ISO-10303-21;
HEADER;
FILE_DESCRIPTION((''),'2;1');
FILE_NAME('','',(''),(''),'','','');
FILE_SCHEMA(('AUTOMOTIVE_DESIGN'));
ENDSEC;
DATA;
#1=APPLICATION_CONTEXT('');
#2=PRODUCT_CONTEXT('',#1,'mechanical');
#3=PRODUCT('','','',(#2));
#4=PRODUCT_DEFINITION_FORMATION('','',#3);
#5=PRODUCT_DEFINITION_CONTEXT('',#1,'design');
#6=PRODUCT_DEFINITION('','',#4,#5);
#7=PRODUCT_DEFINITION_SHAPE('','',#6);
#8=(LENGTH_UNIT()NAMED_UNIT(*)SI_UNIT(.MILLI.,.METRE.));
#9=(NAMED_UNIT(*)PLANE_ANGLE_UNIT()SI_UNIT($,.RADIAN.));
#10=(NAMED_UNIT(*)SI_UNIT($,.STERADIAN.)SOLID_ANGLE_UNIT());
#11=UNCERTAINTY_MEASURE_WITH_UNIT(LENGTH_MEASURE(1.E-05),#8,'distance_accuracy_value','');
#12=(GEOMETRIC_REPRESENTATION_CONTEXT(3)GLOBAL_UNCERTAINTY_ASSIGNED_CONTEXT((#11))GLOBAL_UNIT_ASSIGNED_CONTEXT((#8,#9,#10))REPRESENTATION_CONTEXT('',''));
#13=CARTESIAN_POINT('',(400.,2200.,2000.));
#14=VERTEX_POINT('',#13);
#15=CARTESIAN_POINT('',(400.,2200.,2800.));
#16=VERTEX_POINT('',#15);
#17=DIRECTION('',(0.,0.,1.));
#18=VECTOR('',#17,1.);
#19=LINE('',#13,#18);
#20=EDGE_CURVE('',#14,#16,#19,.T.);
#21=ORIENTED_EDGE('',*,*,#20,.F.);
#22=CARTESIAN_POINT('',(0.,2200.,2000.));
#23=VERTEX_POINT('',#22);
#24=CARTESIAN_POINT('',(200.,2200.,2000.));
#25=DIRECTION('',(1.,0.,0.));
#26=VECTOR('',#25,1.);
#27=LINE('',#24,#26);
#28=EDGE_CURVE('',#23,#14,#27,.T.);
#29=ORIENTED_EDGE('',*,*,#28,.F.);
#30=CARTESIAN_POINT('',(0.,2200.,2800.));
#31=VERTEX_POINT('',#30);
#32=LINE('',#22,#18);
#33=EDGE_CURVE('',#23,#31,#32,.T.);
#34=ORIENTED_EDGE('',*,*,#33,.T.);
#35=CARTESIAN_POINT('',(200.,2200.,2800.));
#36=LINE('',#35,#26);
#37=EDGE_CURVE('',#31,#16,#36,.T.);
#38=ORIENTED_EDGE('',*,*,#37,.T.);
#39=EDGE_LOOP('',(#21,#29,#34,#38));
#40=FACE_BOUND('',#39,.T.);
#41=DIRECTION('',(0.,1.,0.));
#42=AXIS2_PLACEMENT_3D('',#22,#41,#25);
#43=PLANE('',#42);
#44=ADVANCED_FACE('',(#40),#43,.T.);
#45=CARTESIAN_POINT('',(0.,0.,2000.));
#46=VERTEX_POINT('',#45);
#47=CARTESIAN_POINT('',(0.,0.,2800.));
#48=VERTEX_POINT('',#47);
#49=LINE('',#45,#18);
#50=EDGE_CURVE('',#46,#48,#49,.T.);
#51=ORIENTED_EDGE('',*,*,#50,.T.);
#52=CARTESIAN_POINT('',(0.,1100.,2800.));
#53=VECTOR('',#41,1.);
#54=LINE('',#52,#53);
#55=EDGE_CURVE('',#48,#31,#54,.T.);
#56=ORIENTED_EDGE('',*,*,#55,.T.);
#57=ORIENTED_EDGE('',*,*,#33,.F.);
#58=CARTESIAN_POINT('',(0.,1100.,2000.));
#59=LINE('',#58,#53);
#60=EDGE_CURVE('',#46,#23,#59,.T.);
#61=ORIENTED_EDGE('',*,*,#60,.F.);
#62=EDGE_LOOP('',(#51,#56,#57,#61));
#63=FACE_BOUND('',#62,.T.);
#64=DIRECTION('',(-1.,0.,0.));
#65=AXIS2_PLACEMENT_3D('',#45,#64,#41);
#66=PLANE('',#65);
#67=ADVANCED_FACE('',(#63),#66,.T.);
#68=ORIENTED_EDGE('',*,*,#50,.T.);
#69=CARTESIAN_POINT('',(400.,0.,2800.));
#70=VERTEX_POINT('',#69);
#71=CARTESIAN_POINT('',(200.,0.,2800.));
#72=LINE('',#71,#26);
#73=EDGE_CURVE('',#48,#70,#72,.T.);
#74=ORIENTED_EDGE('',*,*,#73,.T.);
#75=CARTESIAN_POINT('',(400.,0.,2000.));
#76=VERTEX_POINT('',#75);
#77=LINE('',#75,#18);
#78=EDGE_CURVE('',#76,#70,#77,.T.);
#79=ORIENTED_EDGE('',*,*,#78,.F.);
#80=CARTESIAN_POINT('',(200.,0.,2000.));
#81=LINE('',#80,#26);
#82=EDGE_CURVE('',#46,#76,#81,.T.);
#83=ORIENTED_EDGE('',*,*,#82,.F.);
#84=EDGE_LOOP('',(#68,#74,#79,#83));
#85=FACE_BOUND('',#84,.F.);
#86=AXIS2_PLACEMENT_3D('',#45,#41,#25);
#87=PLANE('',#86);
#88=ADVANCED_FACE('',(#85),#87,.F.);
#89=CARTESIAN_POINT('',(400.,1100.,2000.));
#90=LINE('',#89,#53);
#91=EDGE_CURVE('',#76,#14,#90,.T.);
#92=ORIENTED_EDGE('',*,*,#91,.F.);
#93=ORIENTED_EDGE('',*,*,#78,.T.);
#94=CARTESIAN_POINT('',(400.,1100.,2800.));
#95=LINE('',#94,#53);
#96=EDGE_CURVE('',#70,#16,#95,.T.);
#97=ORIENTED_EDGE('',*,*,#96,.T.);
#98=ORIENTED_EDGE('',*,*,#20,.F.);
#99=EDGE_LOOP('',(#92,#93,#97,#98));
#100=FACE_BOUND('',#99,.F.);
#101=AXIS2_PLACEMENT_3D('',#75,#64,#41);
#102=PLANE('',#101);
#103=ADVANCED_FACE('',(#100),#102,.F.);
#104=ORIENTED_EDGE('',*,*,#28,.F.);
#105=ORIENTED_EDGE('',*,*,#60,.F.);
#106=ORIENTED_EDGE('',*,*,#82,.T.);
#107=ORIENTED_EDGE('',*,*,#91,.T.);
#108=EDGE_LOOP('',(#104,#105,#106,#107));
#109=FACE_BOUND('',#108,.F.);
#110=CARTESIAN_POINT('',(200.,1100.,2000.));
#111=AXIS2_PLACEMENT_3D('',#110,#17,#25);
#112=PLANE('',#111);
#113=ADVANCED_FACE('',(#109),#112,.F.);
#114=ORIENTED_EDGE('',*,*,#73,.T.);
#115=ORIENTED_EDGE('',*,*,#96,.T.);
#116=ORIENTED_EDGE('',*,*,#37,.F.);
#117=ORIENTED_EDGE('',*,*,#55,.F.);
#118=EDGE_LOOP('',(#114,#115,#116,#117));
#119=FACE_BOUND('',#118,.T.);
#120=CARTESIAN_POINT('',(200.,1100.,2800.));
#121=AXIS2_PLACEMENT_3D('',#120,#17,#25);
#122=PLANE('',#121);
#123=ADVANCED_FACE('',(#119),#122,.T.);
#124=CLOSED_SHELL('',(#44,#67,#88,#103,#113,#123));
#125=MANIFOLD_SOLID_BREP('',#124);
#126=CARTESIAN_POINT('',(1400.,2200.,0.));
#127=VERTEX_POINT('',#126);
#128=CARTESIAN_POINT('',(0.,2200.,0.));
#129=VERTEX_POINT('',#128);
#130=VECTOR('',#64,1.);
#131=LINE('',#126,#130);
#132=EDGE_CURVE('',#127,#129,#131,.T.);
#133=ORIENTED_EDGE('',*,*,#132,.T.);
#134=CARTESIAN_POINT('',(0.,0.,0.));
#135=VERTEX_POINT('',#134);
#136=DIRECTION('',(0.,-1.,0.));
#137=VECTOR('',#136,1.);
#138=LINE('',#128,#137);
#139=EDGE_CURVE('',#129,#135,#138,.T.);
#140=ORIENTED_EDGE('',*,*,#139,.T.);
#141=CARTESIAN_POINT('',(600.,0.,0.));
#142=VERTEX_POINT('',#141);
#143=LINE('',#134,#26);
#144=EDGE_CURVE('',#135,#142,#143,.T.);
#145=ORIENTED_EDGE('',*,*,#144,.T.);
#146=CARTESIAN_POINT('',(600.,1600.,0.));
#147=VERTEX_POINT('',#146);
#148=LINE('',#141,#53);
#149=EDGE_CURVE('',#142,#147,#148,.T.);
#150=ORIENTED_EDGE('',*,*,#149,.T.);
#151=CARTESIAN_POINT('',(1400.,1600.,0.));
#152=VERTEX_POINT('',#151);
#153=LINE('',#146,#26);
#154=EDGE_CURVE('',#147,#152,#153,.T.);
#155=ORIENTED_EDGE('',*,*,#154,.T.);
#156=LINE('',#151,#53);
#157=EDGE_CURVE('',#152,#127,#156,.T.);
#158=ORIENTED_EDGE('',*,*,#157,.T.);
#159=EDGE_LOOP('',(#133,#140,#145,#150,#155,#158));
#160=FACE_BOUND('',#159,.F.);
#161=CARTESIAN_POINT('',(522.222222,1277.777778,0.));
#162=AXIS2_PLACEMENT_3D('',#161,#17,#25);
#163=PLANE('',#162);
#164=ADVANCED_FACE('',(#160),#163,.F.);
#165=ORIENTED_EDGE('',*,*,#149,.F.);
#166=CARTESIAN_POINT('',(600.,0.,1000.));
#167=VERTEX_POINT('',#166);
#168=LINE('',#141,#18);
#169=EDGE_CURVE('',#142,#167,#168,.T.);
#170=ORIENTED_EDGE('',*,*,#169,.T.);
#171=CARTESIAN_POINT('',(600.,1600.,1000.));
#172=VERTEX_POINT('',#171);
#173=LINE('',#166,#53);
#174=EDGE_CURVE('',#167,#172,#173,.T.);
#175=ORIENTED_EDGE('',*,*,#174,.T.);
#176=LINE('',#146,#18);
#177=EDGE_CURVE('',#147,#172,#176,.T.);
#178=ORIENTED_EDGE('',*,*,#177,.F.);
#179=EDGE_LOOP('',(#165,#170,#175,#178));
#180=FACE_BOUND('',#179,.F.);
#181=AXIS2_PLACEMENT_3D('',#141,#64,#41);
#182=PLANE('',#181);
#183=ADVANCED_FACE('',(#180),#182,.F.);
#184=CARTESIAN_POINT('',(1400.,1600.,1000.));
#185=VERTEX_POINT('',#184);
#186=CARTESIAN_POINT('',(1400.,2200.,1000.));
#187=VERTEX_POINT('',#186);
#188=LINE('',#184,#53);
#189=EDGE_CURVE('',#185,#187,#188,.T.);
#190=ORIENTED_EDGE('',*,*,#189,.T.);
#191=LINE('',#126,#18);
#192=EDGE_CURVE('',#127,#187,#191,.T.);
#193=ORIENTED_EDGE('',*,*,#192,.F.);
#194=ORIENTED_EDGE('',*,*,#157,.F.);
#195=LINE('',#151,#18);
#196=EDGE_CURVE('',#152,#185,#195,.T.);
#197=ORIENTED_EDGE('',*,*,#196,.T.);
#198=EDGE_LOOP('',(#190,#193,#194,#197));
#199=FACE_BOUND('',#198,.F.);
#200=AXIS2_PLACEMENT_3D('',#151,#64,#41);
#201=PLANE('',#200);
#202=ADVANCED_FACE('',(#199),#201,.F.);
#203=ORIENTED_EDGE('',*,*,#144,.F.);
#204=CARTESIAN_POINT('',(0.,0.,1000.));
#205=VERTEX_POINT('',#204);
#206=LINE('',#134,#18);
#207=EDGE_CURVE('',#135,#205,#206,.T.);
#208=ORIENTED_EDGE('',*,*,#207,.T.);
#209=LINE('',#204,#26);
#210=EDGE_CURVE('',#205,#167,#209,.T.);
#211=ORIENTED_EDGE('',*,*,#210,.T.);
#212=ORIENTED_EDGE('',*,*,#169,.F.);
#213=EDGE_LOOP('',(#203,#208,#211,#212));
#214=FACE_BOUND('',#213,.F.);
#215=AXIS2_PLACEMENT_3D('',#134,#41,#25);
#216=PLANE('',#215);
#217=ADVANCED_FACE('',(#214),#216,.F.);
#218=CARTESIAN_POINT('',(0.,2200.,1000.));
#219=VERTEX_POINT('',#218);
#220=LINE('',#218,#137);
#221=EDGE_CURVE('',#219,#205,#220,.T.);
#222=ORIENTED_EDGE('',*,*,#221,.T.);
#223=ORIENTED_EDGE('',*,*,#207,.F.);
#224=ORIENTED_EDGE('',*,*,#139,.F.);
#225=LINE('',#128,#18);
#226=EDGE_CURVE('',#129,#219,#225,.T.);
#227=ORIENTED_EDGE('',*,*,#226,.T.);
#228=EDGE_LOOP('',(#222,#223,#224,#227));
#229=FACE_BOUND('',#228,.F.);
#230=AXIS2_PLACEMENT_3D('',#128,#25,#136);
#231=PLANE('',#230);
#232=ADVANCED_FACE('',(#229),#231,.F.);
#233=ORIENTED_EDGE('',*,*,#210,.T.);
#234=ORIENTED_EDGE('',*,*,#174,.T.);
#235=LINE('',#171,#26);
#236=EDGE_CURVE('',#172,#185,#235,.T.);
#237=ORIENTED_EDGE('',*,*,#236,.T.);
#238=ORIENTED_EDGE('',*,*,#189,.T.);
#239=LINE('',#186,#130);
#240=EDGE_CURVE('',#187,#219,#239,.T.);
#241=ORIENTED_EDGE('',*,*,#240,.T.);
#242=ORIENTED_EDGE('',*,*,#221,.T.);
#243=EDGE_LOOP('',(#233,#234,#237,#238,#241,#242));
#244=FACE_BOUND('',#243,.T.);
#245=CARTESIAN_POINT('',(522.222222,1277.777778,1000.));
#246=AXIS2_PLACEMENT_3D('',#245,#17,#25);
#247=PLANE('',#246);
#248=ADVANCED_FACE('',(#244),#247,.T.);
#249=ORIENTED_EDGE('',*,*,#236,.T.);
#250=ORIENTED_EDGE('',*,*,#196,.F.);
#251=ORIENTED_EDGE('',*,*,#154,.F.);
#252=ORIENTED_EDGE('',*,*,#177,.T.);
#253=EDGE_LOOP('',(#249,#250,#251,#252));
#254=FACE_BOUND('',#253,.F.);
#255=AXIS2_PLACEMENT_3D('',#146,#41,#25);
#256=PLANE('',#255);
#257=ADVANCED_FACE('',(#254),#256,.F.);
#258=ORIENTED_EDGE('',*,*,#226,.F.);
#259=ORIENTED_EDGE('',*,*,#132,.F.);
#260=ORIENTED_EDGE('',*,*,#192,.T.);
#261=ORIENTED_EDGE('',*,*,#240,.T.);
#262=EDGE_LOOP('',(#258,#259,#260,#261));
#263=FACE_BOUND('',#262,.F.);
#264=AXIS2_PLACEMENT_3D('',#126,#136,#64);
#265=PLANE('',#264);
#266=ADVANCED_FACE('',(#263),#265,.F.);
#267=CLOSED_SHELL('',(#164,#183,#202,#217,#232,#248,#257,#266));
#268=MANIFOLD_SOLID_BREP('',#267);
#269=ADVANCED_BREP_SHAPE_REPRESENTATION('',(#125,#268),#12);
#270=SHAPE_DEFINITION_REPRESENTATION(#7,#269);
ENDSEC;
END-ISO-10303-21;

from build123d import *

# Parameters (mm, degrees)
F1_DEPTH = 1000
F3_W     = 400
F3_H     = 2200
F4_DEPTH = 800


with BuildPart() as f1:
    # F0 (on Top) → F1 (new body)
    with BuildSketch(Plane.XY):
        Polygon((0, 2200), (0, 0), (600, 0), (600, 1600), (1400, 1600), (1400, 2200), align=None)
    extrude(amount=F1_DEPTH)


with BuildPart() as f4:
    # F3 (on offset) → F4 (new body)
    with BuildSketch(Plane.XY.offset(2000)):
        with Locations((200, 1100)):
            Rectangle(F3_W, F3_H)
    extrude(amount=F4_DEPTH)


solid = Compound([f1.part, f4.part])
